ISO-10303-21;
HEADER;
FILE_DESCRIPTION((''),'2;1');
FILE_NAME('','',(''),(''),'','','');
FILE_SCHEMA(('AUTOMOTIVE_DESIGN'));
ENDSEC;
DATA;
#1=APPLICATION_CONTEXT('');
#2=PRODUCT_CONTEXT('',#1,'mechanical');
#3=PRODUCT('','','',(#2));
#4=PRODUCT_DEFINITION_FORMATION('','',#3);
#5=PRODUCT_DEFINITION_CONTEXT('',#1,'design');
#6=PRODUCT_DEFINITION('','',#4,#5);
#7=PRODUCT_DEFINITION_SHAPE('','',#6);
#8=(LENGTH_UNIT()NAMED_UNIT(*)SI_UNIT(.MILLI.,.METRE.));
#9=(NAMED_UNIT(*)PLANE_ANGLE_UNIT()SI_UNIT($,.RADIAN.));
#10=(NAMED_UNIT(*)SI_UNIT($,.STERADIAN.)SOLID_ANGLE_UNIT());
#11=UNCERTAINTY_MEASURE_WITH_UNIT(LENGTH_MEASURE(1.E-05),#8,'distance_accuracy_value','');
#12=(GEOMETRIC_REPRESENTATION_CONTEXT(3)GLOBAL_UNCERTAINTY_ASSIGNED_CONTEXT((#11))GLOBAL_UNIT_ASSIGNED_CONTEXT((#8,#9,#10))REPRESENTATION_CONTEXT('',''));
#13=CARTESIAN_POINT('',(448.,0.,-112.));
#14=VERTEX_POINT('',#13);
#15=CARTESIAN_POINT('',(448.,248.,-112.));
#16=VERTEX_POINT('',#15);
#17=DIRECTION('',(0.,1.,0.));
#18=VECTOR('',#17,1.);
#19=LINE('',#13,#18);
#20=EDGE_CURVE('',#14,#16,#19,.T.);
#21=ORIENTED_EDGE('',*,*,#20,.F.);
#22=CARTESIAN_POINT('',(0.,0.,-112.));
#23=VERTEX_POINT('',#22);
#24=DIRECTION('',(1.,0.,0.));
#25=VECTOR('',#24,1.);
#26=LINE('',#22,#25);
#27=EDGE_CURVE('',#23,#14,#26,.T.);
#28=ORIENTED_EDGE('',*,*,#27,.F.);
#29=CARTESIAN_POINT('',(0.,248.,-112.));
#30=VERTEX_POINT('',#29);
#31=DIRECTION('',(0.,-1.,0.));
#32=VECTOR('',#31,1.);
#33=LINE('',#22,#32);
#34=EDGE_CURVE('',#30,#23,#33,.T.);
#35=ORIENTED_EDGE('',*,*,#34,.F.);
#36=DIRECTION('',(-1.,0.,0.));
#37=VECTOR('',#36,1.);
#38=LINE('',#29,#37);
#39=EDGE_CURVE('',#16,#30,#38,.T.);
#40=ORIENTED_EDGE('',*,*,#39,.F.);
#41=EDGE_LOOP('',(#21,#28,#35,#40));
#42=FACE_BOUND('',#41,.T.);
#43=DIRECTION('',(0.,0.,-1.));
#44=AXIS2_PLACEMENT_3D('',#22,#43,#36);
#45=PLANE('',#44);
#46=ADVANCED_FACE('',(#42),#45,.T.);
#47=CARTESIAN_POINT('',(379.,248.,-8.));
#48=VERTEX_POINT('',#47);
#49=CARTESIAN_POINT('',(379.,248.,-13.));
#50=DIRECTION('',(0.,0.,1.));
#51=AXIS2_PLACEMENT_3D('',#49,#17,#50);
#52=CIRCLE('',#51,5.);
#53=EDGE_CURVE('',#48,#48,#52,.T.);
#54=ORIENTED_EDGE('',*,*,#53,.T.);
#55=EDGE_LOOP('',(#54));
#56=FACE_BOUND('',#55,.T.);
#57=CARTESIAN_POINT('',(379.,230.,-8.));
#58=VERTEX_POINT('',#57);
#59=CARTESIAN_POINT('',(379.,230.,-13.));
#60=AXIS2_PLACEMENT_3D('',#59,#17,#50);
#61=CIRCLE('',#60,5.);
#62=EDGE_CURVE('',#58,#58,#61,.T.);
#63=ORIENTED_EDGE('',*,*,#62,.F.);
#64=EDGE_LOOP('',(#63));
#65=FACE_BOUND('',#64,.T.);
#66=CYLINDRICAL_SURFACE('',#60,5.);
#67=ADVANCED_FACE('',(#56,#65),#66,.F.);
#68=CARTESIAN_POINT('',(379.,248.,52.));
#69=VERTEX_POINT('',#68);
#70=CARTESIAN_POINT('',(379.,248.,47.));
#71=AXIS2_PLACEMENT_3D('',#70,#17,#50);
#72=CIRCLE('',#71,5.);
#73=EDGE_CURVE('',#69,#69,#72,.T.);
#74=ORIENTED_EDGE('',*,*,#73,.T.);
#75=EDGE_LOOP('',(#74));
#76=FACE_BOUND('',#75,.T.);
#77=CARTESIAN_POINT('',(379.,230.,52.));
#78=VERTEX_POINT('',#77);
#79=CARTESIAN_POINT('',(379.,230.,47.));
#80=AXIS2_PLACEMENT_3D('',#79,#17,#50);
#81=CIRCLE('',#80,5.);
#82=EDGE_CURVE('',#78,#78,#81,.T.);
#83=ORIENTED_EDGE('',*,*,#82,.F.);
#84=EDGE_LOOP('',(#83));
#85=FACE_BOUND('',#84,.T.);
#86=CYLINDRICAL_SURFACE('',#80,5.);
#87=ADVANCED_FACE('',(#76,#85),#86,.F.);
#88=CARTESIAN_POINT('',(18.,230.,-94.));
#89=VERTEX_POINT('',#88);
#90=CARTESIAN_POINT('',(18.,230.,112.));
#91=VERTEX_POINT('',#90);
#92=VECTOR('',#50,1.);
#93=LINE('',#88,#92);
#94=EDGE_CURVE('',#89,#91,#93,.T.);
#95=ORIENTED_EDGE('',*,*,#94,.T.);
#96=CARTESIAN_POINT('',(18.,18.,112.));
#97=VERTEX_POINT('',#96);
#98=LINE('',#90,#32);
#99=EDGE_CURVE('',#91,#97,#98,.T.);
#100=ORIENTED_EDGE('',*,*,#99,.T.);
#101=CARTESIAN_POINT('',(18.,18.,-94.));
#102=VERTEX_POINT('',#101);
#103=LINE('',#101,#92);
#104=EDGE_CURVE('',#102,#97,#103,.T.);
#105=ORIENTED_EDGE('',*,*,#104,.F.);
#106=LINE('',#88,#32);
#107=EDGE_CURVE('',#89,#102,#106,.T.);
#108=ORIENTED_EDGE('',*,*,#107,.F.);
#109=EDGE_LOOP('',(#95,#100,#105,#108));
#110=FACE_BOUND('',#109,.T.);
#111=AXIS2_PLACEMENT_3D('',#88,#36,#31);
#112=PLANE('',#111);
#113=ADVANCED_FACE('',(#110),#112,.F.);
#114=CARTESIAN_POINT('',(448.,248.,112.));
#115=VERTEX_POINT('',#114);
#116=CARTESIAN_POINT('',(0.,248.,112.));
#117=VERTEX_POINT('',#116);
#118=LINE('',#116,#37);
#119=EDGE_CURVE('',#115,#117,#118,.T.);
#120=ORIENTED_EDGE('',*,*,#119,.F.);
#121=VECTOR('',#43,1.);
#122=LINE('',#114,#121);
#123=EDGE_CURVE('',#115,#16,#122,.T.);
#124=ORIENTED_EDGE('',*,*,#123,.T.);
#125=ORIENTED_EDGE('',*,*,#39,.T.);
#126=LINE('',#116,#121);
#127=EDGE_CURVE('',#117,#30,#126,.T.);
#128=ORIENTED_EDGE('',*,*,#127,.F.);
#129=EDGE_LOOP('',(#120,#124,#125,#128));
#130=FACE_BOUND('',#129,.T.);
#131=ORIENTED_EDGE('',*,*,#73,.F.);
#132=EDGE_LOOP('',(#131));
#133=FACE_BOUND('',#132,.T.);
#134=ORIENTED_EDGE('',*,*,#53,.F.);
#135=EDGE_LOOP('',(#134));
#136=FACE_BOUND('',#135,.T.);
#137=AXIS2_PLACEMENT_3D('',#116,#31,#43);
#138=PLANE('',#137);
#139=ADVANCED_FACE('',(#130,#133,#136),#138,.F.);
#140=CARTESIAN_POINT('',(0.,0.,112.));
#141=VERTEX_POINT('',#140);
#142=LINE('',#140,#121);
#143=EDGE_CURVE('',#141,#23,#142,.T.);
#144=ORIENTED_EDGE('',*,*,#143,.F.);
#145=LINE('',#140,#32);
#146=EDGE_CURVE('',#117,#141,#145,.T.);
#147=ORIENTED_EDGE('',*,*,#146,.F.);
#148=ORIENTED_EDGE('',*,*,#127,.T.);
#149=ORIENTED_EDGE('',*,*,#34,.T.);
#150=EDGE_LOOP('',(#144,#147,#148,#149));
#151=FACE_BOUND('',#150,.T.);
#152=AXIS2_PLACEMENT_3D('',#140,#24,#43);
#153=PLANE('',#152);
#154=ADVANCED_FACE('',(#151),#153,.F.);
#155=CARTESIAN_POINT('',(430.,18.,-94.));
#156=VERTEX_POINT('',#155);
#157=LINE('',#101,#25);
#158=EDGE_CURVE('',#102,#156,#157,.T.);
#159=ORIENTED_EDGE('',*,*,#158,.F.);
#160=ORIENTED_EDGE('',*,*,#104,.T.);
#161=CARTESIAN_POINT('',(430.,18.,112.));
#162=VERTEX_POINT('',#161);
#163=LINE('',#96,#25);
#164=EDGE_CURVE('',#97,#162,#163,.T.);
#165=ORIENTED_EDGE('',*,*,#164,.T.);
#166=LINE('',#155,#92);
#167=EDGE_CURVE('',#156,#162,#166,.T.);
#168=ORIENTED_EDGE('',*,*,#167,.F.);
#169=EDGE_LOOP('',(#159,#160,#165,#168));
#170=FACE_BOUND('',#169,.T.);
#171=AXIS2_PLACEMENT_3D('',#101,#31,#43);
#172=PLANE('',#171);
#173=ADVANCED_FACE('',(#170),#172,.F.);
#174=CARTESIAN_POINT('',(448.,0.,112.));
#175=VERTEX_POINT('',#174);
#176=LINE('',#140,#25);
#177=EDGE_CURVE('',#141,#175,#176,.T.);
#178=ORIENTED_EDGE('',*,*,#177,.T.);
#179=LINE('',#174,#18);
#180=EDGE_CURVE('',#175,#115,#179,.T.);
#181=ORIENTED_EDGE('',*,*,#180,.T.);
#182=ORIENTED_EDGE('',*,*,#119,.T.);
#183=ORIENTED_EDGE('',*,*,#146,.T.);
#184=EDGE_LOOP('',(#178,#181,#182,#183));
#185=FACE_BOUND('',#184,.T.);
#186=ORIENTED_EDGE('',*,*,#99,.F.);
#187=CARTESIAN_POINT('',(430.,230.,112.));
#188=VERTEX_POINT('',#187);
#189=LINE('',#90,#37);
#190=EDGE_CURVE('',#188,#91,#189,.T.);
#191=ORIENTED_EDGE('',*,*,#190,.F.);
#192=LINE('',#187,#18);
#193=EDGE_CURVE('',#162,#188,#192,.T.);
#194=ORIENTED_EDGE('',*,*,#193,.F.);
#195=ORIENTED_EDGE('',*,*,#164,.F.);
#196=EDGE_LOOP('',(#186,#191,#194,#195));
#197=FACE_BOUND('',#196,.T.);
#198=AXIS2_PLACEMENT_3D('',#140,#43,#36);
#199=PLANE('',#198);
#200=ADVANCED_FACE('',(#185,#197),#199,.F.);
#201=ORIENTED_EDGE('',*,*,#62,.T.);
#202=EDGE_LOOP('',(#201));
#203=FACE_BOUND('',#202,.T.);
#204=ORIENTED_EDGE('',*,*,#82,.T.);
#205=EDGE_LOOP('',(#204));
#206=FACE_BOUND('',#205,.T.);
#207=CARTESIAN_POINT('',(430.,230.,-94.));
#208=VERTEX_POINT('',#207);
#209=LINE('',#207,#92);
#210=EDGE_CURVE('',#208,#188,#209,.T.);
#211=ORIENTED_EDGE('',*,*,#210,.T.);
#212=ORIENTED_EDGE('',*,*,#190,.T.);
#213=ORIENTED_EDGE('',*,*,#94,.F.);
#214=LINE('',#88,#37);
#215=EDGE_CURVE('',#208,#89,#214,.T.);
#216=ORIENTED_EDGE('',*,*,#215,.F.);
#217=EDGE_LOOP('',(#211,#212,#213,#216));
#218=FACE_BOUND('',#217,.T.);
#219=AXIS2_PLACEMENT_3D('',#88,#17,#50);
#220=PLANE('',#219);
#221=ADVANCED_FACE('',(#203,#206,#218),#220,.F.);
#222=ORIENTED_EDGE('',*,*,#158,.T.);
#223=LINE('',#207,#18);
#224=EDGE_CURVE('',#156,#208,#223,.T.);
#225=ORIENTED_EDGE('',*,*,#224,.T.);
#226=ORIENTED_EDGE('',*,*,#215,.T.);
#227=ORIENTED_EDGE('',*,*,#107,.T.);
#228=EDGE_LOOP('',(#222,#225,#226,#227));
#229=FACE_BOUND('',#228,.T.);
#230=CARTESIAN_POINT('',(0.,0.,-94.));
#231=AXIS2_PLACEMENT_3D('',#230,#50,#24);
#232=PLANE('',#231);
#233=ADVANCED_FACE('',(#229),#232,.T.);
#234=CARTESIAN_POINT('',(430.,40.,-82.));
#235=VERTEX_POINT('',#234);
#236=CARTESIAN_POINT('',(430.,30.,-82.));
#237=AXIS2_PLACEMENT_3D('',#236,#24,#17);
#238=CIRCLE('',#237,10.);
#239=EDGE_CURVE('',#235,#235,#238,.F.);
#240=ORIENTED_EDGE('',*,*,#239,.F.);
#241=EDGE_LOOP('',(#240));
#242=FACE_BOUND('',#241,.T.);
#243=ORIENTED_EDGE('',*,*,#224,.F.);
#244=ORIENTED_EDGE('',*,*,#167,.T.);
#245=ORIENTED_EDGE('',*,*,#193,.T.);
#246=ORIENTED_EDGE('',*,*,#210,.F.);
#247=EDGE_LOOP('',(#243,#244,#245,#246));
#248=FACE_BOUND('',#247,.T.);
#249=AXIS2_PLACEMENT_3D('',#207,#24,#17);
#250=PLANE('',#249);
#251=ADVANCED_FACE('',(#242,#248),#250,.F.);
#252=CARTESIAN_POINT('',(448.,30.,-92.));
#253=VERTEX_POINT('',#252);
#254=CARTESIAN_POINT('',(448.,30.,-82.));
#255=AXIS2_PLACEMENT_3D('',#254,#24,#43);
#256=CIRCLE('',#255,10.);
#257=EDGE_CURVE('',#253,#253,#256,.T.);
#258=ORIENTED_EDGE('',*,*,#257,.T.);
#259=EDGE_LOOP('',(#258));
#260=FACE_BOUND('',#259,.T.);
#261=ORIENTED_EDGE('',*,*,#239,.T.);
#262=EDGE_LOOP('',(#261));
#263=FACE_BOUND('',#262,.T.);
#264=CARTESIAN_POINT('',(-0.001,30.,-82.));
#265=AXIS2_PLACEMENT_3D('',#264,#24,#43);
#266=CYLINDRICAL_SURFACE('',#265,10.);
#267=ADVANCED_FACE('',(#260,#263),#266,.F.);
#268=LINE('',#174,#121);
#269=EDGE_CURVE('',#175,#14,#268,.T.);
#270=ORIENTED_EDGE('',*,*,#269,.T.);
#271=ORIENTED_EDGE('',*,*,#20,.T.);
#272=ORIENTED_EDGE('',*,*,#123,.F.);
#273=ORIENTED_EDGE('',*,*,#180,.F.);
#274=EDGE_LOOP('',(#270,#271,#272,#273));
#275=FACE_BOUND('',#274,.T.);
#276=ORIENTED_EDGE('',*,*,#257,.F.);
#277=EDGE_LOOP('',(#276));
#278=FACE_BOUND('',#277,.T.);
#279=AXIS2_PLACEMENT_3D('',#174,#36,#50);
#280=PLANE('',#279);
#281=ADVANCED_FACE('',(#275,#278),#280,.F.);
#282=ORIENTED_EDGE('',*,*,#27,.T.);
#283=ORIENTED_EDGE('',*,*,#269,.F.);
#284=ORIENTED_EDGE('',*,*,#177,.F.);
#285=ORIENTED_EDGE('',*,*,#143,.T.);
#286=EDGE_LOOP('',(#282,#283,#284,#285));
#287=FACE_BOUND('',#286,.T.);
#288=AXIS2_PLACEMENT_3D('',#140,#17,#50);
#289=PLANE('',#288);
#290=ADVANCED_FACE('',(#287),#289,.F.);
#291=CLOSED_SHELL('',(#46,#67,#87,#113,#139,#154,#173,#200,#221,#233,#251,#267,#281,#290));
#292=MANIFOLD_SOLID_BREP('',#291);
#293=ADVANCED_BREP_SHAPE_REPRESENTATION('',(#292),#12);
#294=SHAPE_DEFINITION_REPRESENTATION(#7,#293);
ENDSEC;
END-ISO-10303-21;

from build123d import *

# Parameters (mm, degrees)
SKETCH1_W                    = 448
SKETCH1_H                    = 248
TAO_KHOI_DEPTH               = 112
SKETCH2_W                    = 412
SKETCH2_H                    = 212
TAO_VUNG_DAT_VO_TRONG_DEPTH  = 206
TAO_LO_DI_DAY_RA_NGOAI_REACH = 526.168
SKETCH3_R                    = 10
SKETCH5_R                    = 5
TAO_LO_LAY_KHI_DEPTH         = 18


with BuildPart() as part:
    # Sketch1 → tao_khoi (new, symmetric)
    with BuildSketch(Plane.XY):
        with Locations((224, 124)):
            Rectangle(SKETCH1_W, SKETCH1_H)
    extrude(amount=TAO_KHOI_DEPTH, both=True)

    # Sketch2 → tao_vung_dat_vo_trong (cut)
    with BuildSketch(Plane.XY.offset(112)):
        with Locations((224, 124)):
            Rectangle(SKETCH2_W, SKETCH2_H)
    extrude(amount=-TAO_VUNG_DAT_VO_TRONG_DEPTH, mode=Mode.SUBTRACT)

    # Sketch3 → tao_lo_di_day_ra_ngoai (cut, up to next)
    with BuildSketch(Plane(origin=(448, 0, 0), x_dir=(0, 0, -1), z_dir=(1, 0, 0)), mode=Mode.PRIVATE) as tao_lo_di_day_ra_ngoai_sk1:
        with Locations((82, 30)):
            Circle(SKETCH3_R)
    tao_lo_di_day_ra_ngoai_tool1 = extrude(tao_lo_di_day_ra_ngoai_sk1.sketch, amount=-TAO_LO_DI_DAY_RA_NGOAI_REACH, mode=Mode.PRIVATE) & part.part
    add(tao_lo_di_day_ra_ngoai_tool1.solids().sort_by_distance((448, 30, -82))[0], mode=Mode.SUBTRACT)

    # Sketch5 → tao_lo_lay_khi (cut)
    with BuildSketch(Plane(origin=(0, 248, 0), x_dir=(1, 0, 0), z_dir=(0, 1, 0))):
        with Locations(Location((379, 13, 0), (0, 0, 270))):
            Circle(SKETCH5_R)
        with Locations(Location((379, -47, 0), (0, 0, 270))):
            Circle(SKETCH5_R)
    extrude(amount=-TAO_LO_LAY_KHI_DEPTH, mode=Mode.SUBTRACT)


solid = part.part
